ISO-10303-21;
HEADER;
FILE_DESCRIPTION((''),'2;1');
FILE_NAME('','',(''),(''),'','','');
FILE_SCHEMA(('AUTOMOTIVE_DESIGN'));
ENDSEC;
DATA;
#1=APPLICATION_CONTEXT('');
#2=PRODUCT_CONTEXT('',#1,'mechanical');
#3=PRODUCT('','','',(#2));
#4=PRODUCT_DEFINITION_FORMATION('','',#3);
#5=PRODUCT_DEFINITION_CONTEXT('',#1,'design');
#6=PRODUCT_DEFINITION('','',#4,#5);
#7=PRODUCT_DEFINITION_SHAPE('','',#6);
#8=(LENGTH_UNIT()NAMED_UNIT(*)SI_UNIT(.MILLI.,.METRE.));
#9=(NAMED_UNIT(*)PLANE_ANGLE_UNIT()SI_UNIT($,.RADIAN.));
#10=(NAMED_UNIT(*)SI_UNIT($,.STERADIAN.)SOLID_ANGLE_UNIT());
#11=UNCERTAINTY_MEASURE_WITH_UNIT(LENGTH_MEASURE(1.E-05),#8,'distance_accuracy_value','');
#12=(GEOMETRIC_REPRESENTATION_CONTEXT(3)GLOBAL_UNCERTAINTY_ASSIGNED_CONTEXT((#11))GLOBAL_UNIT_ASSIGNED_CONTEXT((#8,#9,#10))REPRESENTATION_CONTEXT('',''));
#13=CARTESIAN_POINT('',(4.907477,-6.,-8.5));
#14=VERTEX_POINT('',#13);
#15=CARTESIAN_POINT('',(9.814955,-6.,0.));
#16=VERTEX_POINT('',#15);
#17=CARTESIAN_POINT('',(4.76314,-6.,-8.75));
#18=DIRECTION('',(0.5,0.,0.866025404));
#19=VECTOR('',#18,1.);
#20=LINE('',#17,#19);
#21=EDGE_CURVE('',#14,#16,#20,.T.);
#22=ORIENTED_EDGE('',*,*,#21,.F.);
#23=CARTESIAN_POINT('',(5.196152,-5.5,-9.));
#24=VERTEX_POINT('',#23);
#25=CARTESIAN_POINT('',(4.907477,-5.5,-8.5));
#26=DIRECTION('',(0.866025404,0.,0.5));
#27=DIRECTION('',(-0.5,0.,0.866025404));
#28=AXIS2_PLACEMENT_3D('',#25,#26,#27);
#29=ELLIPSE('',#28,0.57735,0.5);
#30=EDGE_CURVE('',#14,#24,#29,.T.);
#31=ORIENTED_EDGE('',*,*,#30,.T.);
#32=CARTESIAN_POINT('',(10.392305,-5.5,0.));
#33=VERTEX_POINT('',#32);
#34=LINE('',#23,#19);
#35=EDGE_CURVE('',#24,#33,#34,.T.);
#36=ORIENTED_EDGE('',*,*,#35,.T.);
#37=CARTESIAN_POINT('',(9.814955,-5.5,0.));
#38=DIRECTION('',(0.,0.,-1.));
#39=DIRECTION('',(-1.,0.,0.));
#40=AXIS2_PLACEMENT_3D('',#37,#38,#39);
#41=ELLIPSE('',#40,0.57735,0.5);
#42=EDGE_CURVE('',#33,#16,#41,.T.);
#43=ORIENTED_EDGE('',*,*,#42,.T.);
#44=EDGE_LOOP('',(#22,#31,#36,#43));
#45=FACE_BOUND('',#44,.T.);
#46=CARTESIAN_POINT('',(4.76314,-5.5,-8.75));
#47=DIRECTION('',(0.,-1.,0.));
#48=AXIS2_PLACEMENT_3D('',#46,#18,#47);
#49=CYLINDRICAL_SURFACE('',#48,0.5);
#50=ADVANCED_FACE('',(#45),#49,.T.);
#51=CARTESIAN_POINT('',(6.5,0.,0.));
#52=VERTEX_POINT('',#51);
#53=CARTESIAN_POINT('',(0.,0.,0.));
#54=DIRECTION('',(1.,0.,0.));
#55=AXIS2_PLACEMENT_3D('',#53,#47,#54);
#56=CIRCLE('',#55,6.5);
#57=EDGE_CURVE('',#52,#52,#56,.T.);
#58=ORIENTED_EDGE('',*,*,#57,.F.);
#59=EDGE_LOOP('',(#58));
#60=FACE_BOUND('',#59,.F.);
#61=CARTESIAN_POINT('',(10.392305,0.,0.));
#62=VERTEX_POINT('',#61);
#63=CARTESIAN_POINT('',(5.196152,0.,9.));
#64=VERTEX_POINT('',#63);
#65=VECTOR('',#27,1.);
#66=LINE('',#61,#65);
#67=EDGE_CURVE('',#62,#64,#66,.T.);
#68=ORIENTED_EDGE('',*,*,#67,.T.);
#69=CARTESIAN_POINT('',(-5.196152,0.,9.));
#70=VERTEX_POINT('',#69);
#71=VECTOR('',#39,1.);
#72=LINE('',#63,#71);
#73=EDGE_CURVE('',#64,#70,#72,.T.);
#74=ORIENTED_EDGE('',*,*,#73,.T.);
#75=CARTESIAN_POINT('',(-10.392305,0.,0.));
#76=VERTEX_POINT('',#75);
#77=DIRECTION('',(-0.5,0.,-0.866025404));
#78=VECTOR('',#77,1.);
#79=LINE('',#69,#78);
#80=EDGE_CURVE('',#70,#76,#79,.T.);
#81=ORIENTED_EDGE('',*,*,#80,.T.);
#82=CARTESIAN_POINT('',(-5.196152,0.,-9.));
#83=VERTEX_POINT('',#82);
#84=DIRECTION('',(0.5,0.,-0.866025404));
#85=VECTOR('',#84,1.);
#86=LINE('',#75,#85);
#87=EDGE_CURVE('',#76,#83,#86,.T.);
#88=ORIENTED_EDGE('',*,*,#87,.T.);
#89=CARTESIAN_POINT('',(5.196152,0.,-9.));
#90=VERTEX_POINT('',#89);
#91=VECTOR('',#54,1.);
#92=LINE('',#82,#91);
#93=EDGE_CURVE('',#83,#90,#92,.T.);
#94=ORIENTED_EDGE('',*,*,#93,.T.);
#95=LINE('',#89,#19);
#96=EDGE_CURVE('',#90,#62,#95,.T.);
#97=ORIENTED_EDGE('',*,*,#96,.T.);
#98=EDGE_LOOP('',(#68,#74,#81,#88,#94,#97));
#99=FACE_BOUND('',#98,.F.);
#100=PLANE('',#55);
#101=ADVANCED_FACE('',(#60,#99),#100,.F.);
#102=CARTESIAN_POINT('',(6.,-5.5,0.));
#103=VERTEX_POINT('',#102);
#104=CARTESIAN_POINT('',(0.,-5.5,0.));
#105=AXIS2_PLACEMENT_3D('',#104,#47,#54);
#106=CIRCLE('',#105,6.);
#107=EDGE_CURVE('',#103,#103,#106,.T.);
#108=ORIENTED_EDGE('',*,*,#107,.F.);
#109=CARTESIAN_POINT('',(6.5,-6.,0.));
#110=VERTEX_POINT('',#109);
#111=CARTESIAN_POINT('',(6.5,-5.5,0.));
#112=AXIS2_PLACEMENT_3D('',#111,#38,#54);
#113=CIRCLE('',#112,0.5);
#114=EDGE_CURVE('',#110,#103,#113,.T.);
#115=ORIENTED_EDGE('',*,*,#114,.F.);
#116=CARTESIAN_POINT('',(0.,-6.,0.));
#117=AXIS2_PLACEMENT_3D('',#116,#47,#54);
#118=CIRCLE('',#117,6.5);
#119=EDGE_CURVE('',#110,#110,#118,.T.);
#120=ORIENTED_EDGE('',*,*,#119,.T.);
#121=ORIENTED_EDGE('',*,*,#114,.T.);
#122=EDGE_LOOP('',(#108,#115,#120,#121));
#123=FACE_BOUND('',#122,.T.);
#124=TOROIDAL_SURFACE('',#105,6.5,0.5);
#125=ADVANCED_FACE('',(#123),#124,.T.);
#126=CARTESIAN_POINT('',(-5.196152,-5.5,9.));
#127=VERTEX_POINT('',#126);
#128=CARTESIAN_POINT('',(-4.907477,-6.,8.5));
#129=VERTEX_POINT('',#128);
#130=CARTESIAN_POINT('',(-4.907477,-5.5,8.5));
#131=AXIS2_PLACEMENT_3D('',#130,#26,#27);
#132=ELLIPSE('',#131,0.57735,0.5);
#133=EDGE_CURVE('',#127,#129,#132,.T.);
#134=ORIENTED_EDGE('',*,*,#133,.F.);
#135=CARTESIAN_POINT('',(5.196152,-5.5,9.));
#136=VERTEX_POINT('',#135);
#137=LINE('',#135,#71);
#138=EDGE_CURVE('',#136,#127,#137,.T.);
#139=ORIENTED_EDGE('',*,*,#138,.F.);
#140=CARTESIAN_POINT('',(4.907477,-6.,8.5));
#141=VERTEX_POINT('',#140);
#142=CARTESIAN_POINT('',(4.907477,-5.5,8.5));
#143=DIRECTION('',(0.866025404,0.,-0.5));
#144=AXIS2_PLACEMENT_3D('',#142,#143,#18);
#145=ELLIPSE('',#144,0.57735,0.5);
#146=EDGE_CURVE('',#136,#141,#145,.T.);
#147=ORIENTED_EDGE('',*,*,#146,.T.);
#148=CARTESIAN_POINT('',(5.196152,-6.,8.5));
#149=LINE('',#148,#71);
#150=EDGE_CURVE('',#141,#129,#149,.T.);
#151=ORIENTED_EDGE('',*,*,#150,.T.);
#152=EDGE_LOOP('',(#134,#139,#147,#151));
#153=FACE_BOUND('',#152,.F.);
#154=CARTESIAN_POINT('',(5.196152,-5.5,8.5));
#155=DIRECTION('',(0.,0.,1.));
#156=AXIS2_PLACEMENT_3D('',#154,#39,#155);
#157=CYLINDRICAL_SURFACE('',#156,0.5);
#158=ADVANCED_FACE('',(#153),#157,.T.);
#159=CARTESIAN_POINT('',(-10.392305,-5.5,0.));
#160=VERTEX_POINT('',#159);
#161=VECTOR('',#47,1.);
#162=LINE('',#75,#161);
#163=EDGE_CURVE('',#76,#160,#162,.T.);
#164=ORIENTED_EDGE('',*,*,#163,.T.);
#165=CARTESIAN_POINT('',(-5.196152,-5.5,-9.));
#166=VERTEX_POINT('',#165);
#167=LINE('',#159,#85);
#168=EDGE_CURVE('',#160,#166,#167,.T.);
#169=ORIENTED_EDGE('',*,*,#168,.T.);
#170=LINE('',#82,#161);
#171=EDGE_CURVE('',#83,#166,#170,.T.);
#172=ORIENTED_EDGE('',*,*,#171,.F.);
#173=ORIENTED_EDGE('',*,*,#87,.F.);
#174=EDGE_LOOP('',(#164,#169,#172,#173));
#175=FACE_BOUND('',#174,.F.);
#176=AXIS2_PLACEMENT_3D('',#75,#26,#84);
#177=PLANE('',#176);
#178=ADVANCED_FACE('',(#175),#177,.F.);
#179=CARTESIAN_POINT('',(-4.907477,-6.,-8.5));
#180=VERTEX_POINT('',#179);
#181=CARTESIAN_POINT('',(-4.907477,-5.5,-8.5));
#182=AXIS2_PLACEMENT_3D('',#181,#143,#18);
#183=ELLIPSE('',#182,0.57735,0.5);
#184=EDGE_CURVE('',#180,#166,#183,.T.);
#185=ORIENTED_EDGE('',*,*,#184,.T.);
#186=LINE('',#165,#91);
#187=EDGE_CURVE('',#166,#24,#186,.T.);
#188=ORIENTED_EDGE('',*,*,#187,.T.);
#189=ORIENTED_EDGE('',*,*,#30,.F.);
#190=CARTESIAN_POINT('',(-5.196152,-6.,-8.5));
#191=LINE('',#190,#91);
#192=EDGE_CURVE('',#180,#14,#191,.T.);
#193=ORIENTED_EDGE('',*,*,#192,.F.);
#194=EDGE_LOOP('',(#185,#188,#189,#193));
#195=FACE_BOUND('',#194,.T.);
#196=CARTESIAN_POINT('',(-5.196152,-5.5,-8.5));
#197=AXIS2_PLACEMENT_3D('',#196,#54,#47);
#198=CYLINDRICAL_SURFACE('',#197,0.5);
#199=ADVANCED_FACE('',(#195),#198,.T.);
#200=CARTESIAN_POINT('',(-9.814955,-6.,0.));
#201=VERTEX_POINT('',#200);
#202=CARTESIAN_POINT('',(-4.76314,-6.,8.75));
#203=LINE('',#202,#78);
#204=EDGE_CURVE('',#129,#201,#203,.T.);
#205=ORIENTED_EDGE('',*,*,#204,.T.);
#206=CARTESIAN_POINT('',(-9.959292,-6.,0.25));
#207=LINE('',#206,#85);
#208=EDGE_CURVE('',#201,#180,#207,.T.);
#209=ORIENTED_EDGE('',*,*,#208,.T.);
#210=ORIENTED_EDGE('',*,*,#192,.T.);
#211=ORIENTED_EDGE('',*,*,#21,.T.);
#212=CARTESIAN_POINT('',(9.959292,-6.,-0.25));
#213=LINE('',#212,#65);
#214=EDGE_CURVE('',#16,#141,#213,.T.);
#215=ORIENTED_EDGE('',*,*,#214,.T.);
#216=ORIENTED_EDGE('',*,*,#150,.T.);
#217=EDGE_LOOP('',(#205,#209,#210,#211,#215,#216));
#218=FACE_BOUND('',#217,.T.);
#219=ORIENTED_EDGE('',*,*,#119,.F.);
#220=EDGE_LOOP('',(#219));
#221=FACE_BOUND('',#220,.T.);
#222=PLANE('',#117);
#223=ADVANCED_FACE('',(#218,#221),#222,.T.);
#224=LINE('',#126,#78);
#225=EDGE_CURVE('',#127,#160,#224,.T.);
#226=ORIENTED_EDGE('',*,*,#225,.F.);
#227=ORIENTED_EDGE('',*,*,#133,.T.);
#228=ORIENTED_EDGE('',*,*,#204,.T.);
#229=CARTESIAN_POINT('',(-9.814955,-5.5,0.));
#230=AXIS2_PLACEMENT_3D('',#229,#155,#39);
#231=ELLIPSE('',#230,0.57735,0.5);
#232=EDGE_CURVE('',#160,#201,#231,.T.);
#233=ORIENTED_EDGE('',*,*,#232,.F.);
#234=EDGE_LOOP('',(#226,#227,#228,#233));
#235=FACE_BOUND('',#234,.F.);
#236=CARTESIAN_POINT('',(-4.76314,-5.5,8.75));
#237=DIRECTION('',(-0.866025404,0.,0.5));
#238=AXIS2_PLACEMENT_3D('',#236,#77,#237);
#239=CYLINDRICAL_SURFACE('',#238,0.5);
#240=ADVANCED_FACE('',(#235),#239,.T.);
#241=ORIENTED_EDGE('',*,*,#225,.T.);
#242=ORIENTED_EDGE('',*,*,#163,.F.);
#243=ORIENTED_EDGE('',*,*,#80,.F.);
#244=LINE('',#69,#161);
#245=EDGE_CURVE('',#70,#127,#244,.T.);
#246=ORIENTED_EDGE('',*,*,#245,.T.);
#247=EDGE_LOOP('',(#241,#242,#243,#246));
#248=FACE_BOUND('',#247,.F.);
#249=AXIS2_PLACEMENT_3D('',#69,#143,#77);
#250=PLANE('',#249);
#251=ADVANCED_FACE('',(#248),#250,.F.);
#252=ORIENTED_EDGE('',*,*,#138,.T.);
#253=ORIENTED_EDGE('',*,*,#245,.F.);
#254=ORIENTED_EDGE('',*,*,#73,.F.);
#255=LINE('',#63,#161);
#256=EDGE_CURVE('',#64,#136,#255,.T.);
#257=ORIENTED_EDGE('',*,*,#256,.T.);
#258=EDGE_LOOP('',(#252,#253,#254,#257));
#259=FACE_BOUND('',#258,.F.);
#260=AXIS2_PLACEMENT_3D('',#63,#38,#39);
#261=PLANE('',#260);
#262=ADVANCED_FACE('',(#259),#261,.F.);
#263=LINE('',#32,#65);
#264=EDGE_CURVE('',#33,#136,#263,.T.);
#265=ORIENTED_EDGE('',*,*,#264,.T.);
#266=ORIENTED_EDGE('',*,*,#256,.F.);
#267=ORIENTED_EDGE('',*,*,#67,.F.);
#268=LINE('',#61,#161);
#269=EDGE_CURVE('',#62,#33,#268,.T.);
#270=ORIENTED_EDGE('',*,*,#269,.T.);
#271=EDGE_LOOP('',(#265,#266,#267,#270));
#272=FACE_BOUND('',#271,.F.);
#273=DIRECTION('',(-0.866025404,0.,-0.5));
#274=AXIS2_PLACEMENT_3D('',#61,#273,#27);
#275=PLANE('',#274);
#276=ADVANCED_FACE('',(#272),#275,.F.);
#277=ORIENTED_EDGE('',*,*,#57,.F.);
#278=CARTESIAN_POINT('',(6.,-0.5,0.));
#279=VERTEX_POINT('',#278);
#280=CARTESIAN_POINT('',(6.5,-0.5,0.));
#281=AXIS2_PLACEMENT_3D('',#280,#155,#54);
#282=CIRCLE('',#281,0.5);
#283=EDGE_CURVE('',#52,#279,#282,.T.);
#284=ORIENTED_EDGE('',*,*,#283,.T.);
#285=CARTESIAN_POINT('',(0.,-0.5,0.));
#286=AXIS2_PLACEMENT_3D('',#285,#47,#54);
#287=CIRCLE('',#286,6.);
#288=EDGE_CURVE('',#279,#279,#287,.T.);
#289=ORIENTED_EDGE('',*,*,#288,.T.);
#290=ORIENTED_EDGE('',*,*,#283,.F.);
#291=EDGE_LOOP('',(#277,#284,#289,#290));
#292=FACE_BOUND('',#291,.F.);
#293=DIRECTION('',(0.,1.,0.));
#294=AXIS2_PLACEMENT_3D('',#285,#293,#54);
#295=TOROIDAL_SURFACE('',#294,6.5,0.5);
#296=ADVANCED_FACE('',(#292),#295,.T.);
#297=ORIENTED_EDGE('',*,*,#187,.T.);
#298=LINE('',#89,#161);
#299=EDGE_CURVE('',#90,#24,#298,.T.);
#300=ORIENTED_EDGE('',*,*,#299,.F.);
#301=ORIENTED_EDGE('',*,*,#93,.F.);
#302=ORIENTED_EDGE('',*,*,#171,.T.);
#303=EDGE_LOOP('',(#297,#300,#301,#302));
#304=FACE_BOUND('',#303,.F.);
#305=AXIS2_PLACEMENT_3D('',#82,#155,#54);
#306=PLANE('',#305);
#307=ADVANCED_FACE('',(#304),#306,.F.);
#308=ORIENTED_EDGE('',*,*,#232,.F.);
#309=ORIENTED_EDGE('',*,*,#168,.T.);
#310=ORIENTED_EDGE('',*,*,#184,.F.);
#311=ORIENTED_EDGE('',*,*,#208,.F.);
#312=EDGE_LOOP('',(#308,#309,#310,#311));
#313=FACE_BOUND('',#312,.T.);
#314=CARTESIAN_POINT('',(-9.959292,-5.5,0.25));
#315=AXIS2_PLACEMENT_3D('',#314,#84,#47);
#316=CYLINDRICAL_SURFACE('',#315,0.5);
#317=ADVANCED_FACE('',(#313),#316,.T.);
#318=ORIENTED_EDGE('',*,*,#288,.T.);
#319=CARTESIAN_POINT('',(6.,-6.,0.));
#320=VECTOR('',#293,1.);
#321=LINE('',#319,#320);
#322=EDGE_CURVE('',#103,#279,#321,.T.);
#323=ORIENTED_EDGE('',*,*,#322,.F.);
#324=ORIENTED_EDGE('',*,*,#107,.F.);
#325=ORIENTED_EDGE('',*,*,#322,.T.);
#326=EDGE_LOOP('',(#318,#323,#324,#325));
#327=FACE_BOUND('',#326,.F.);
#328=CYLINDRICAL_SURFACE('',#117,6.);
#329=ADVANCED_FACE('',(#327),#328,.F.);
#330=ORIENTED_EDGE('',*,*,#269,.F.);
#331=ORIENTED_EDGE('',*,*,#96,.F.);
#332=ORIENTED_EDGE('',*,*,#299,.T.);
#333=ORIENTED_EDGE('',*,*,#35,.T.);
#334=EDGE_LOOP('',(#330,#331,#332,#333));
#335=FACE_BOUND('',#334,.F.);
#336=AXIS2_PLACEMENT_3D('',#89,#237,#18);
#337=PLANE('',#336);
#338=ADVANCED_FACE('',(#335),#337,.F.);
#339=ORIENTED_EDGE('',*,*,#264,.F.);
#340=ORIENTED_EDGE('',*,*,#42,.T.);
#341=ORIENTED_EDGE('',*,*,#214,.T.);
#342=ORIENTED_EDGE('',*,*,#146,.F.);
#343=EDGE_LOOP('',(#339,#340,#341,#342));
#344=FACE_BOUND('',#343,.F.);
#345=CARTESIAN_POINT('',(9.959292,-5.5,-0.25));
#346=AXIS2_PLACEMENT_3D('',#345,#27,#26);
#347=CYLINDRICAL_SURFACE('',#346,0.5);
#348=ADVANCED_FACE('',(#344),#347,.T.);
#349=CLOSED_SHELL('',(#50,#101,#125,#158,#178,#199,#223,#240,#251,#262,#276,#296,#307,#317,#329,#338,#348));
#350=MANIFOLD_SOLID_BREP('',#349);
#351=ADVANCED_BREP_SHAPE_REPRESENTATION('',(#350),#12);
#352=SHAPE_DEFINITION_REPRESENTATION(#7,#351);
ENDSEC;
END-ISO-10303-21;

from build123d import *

# Parameters (mm, degrees)
F1_DEPTH = 6
F2_R     = 6
F3_DEPTH = 25
F4_R     = 0.5


with BuildPart() as f1:
    # F0 (on Front) → F1 (new body)
    with BuildSketch(Plane.XZ):
        Polygon((5.1961524227, 9), (-5.1961524227, 9), (-10.3923048454, 0), (-5.1961524227, -9), (5.1961524227, -9), (10.3923048454, 0), align=None)
    extrude(amount=F1_DEPTH)

    # F2 (on face) → F3 (cut)
    with BuildSketch(Plane.XZ.offset(6)):
        Circle(F2_R)
    extrude(amount=-F3_DEPTH, mode=Mode.SUBTRACT)

    # F4
    f4_edges = [f1.edges().sort_by_distance(p)[0] for p in [
        (7.794229, -6, 4.5),
        (7.794229, -6, -4.5),
        (0, -6, 9),
        (0, -6, -9),
        (-7.794229, -6, 4.5),
        (-7.794229, -6, -4.5),
        (-6, -6, 0),
        (-6, 0, 0),
    ]]
    fillet(f4_edges, radius=F4_R)


solid = f1.part
